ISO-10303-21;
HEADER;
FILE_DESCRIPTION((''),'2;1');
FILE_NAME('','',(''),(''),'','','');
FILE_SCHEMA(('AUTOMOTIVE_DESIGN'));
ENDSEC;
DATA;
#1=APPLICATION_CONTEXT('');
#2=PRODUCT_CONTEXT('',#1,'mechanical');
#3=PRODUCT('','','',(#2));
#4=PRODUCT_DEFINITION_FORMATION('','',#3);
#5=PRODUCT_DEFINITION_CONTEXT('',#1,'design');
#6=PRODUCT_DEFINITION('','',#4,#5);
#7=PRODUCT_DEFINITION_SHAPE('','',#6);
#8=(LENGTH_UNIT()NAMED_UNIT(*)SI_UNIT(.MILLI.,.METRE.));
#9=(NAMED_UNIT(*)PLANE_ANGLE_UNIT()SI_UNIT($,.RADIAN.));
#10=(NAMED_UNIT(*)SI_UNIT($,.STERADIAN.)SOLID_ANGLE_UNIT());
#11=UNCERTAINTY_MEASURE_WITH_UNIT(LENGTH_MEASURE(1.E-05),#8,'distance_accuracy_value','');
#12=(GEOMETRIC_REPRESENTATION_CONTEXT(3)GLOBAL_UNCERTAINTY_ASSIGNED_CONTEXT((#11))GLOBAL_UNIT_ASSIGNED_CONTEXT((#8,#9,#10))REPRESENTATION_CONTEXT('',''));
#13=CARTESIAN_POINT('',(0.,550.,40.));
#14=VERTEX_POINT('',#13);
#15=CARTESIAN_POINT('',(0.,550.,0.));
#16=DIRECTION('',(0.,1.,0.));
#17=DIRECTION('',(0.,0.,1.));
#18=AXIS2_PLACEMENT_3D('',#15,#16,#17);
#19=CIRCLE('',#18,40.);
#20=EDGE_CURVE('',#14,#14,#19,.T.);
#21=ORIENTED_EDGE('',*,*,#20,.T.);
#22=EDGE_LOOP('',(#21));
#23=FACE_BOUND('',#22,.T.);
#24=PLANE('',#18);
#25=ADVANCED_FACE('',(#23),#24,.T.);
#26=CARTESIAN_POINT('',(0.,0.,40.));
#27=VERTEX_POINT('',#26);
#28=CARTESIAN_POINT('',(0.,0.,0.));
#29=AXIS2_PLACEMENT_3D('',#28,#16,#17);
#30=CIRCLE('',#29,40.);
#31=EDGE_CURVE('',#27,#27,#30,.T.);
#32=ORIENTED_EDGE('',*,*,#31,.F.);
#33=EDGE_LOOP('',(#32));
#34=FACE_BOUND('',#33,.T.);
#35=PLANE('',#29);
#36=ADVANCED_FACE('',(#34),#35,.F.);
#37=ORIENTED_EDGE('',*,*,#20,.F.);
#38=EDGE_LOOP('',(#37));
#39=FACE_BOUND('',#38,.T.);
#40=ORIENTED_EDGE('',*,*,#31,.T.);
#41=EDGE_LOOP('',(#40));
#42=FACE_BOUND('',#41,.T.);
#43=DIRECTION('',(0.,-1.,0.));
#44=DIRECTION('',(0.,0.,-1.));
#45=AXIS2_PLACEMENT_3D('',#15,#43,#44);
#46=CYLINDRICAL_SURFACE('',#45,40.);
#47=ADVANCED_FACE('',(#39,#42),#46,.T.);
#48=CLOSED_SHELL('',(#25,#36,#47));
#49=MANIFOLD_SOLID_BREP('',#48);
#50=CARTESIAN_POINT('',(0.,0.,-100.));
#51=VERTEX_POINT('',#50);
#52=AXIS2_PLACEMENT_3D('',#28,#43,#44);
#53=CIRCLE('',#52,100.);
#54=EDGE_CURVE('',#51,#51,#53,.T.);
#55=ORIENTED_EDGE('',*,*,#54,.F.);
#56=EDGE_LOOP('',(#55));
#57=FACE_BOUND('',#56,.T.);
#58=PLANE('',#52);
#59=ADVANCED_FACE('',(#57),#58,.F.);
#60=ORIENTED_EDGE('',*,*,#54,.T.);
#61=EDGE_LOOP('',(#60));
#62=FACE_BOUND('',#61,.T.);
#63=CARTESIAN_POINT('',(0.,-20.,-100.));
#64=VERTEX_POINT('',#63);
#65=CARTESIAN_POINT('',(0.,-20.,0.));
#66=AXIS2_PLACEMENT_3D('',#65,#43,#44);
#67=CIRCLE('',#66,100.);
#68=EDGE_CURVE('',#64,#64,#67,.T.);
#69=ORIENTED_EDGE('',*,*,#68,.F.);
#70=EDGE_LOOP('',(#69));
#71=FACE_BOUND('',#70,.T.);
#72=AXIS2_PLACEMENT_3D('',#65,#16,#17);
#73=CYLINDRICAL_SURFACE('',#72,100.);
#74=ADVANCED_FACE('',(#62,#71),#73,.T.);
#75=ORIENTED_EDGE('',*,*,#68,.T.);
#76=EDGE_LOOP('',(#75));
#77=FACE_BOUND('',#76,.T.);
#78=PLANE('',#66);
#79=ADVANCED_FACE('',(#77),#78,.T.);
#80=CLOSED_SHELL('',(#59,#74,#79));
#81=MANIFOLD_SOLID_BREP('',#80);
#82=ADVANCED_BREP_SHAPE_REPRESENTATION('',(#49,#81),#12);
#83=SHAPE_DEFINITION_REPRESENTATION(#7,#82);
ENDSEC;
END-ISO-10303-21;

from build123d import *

# Parameters (mm, degrees)
SKETCH5_R           = 40
BOSS_EXTRUDE3_DEPTH = 550
SKETCH6_R           = 100
BOSS_EXTRUDE4_DEPTH = 20


with BuildPart() as part:
    # Sketch5 → Boss-Extrude3 (new body)
    with BuildSketch(Plane(origin=(0, 0, 0), x_dir=(1, 0, 0), z_dir=(0, 1, 0))):
        with Locations(Location((0, 0, 0), (0, 0, 270))):
            Circle(SKETCH5_R)
    extrude(amount=BOSS_EXTRUDE3_DEPTH)


with BuildPart() as body_2:
    # Sketch6 → Boss-Extrude4 (new body)
    with BuildSketch(Plane.XZ):
        with Locations(Location((0, 0, 0), (0, 0, 270))):
            Circle(SKETCH6_R)
    extrude(amount=BOSS_EXTRUDE4_DEPTH)


solid = Compound([part.part, body_2.part])
